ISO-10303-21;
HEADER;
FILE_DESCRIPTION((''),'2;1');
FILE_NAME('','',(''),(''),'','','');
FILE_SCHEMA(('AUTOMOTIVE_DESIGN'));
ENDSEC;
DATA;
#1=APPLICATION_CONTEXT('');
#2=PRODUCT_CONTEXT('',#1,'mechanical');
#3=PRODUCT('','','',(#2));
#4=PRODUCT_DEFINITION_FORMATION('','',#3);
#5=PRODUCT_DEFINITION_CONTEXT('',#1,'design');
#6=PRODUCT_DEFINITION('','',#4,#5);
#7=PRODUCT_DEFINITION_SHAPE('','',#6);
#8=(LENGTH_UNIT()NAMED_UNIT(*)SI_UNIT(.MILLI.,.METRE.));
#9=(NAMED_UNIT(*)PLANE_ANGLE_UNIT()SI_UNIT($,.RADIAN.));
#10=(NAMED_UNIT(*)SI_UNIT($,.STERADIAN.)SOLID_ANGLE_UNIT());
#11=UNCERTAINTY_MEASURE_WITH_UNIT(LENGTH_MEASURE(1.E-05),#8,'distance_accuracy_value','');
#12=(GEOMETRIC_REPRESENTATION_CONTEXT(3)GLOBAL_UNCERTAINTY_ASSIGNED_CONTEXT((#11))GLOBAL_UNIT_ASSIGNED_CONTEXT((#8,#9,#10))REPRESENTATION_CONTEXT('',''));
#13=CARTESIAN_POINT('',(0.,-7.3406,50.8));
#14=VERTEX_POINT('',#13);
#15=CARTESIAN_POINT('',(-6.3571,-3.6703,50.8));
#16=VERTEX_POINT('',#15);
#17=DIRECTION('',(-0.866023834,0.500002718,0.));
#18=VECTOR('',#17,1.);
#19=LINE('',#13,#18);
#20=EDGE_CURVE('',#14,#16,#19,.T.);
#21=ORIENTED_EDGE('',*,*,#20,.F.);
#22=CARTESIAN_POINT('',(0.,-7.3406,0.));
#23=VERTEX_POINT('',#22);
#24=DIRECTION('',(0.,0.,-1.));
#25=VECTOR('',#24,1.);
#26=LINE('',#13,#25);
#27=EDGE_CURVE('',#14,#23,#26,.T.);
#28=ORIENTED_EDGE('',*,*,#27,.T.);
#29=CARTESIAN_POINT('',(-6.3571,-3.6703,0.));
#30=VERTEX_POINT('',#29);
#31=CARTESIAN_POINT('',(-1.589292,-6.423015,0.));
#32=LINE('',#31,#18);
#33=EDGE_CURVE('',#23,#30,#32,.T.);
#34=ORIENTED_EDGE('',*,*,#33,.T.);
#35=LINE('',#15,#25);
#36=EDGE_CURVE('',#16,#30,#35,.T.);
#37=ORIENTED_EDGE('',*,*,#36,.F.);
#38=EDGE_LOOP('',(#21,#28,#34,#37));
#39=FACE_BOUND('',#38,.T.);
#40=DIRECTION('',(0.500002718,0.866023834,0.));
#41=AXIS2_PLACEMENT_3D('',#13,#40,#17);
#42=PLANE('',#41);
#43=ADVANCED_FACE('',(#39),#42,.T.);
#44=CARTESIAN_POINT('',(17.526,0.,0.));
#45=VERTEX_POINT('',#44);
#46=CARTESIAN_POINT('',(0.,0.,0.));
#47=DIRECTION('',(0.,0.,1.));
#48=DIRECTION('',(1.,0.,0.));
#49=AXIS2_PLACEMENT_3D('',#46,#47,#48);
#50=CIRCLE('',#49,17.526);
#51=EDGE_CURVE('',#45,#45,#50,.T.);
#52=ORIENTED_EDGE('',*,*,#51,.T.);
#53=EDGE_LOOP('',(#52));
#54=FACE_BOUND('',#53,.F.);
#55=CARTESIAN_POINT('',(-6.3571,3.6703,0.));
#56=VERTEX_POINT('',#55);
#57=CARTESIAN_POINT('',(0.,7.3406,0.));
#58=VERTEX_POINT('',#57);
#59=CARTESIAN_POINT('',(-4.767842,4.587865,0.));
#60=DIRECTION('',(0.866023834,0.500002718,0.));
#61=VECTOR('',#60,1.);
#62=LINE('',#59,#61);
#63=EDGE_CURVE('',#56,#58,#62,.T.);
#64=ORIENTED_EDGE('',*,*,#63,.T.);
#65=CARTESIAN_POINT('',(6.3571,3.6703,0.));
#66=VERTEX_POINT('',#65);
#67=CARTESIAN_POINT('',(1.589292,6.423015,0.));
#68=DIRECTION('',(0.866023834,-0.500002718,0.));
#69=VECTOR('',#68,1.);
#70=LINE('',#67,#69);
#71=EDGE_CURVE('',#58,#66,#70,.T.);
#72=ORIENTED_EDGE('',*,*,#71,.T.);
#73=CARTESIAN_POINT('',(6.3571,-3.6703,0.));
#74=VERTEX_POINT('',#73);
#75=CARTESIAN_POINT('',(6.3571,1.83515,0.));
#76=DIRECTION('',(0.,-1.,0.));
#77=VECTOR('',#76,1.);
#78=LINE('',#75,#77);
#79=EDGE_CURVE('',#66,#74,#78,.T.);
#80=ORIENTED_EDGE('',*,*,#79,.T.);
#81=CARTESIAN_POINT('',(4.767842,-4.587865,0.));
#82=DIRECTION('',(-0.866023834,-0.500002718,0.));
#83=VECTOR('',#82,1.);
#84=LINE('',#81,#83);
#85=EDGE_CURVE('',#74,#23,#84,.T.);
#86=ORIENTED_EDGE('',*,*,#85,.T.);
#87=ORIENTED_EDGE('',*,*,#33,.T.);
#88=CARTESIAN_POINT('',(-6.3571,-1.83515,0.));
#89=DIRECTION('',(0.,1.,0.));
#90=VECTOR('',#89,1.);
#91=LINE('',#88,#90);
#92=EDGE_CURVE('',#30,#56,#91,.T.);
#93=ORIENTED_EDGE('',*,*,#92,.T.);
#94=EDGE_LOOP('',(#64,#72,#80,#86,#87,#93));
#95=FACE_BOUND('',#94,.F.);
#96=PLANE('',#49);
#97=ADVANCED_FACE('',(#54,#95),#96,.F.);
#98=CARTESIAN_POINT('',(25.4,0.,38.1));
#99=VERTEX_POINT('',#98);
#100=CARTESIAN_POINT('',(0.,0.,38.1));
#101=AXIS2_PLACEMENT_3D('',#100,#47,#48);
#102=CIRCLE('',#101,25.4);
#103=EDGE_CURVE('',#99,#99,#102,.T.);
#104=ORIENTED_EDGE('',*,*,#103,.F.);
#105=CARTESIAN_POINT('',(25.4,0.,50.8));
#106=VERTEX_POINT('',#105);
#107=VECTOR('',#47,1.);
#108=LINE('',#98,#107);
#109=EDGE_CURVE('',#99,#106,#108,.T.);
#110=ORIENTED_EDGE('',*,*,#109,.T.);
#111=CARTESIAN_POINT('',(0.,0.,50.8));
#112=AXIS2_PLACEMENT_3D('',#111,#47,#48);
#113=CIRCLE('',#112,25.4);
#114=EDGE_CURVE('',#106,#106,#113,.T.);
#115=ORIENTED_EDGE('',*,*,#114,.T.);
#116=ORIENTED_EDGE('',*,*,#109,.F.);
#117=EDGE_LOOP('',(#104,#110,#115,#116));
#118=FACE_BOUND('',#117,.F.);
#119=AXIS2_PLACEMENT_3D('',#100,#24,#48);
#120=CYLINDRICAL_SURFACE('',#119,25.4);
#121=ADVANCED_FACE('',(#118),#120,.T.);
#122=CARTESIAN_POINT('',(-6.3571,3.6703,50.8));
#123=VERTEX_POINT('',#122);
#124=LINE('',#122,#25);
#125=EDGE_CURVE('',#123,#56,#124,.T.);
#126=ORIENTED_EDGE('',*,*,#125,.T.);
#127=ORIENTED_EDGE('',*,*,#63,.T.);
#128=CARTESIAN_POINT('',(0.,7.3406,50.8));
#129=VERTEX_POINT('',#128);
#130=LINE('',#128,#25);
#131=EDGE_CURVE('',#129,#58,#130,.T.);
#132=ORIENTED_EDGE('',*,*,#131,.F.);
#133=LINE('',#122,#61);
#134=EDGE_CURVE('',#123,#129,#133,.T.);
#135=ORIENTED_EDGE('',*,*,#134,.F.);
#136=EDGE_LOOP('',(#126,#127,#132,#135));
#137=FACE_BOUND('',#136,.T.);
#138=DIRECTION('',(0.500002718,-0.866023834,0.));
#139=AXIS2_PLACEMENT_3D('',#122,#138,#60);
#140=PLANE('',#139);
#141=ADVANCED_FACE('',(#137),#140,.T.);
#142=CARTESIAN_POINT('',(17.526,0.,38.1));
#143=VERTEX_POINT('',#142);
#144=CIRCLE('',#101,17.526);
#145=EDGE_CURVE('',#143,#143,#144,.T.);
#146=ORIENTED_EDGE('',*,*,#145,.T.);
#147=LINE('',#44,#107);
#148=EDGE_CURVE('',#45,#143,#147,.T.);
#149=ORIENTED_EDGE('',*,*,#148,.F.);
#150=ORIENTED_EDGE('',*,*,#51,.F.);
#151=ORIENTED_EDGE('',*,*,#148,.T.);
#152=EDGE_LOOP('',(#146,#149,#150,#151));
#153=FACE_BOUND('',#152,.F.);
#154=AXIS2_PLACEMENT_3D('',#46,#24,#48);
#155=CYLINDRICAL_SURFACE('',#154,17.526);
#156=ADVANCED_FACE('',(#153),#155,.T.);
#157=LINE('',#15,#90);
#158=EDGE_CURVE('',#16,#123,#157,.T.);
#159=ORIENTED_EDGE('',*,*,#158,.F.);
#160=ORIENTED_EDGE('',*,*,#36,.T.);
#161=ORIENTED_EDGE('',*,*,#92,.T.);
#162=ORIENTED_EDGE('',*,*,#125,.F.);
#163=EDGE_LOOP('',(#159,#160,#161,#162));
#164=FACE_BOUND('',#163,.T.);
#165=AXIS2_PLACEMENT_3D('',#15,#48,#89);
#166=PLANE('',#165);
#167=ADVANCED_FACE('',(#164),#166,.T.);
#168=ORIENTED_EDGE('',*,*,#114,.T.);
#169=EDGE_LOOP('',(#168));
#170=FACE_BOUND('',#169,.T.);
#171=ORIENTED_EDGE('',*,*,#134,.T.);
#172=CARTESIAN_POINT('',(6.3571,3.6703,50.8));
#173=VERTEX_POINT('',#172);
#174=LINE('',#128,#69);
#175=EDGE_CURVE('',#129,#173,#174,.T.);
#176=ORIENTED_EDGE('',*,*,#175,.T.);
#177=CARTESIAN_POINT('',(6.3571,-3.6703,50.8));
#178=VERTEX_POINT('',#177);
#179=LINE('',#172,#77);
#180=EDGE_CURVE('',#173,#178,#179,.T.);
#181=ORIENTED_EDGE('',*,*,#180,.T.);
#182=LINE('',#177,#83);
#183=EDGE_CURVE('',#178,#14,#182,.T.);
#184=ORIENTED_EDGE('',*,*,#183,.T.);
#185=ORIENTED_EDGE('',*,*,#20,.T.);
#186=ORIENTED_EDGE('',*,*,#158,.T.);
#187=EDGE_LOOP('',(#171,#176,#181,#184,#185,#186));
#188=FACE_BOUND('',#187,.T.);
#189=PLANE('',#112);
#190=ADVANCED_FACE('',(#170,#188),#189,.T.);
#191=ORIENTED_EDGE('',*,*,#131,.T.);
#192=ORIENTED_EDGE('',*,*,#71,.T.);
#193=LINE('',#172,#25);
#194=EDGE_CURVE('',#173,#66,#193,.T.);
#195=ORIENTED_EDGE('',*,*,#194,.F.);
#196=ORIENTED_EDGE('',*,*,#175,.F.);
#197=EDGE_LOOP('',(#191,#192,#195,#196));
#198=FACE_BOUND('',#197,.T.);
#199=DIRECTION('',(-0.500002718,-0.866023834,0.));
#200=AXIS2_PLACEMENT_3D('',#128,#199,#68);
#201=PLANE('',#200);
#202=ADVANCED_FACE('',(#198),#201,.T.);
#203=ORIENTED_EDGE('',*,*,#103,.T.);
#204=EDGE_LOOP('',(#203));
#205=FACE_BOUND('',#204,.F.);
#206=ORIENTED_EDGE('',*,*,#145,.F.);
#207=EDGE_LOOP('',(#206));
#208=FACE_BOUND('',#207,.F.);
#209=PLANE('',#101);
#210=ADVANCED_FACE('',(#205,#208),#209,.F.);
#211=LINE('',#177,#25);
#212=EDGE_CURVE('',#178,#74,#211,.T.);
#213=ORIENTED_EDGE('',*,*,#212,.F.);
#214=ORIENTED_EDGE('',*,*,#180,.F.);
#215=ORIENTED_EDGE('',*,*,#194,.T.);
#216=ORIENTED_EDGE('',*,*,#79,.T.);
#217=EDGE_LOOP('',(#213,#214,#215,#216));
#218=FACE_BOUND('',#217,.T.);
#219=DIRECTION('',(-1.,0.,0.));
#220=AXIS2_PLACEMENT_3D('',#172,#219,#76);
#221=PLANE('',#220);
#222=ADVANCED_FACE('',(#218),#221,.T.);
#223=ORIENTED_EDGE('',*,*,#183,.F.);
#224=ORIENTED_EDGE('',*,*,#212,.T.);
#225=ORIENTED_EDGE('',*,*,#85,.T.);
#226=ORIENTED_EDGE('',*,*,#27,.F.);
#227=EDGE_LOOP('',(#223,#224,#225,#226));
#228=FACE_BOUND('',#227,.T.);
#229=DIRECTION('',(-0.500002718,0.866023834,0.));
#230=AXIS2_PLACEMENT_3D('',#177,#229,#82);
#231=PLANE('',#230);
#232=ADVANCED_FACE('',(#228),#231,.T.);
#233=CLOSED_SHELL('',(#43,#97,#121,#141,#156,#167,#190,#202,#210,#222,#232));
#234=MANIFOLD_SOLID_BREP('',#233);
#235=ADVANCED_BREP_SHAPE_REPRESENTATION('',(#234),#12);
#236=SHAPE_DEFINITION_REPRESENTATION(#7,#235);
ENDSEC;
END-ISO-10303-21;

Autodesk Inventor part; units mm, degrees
ref_plane "YZ Plane" through (0, 0, 0) normal (1, 0, 0) x (0, 1, 0)
ref_plane "XZ Plane" through (0, 0, 0) normal (0, 1, 0) x (-1, 0, 0)
ref_plane "XY Plane" through (0, 0, 0) normal (0, 0, 1) x (1, 0, 0)
sketch "Sketch1" plane through (0, 0, 0) normal (0, 0, 1) x (1, 0, 0)
  circle A0 centre (0, 0) radius 17.526
  dimension "d0" = 35.052
extrude "Extrusion1" add sketch "Sketch1" along normal blind 38.1
sketch "Sketch2" plane through (0, 0, 38.1) normal (0, 0, 1) x (1, 0, 0)
  circle A0 centre (0, 0) radius 25.4
  dimension "d3" = 50.8
extrude "Extrusion2" add sketch "Sketch2" along normal blind 12.7
sketch "Sketch3" plane through (0, 0, 50.8) normal (0, 0, 1) x (1, 0, 0)
  line L0 (0, -7.3406) -> (-6.3571, -3.6703)
  line L1 (-6.3571, -3.6703) -> (-6.3571, 3.6703)
  line L2 (-6.3571, 3.6703) -> (0, 7.3406)
  line L3 (0, 7.3406) -> (6.3571, 3.6703)
  line L4 (6.3571, 3.6703) -> (6.3571, -3.6703)
  line L5 (6.3571, -3.6703) -> (0, -7.3406)
  point P0 (0, 0)
  point P1 (0, 0)
  dimension "d7" = 14.6812
extrude "Extrusion3" cut sketch "Sketch3" against normal through all
properties part number "Hex Adapter" material "PC/ABS Plastic"
